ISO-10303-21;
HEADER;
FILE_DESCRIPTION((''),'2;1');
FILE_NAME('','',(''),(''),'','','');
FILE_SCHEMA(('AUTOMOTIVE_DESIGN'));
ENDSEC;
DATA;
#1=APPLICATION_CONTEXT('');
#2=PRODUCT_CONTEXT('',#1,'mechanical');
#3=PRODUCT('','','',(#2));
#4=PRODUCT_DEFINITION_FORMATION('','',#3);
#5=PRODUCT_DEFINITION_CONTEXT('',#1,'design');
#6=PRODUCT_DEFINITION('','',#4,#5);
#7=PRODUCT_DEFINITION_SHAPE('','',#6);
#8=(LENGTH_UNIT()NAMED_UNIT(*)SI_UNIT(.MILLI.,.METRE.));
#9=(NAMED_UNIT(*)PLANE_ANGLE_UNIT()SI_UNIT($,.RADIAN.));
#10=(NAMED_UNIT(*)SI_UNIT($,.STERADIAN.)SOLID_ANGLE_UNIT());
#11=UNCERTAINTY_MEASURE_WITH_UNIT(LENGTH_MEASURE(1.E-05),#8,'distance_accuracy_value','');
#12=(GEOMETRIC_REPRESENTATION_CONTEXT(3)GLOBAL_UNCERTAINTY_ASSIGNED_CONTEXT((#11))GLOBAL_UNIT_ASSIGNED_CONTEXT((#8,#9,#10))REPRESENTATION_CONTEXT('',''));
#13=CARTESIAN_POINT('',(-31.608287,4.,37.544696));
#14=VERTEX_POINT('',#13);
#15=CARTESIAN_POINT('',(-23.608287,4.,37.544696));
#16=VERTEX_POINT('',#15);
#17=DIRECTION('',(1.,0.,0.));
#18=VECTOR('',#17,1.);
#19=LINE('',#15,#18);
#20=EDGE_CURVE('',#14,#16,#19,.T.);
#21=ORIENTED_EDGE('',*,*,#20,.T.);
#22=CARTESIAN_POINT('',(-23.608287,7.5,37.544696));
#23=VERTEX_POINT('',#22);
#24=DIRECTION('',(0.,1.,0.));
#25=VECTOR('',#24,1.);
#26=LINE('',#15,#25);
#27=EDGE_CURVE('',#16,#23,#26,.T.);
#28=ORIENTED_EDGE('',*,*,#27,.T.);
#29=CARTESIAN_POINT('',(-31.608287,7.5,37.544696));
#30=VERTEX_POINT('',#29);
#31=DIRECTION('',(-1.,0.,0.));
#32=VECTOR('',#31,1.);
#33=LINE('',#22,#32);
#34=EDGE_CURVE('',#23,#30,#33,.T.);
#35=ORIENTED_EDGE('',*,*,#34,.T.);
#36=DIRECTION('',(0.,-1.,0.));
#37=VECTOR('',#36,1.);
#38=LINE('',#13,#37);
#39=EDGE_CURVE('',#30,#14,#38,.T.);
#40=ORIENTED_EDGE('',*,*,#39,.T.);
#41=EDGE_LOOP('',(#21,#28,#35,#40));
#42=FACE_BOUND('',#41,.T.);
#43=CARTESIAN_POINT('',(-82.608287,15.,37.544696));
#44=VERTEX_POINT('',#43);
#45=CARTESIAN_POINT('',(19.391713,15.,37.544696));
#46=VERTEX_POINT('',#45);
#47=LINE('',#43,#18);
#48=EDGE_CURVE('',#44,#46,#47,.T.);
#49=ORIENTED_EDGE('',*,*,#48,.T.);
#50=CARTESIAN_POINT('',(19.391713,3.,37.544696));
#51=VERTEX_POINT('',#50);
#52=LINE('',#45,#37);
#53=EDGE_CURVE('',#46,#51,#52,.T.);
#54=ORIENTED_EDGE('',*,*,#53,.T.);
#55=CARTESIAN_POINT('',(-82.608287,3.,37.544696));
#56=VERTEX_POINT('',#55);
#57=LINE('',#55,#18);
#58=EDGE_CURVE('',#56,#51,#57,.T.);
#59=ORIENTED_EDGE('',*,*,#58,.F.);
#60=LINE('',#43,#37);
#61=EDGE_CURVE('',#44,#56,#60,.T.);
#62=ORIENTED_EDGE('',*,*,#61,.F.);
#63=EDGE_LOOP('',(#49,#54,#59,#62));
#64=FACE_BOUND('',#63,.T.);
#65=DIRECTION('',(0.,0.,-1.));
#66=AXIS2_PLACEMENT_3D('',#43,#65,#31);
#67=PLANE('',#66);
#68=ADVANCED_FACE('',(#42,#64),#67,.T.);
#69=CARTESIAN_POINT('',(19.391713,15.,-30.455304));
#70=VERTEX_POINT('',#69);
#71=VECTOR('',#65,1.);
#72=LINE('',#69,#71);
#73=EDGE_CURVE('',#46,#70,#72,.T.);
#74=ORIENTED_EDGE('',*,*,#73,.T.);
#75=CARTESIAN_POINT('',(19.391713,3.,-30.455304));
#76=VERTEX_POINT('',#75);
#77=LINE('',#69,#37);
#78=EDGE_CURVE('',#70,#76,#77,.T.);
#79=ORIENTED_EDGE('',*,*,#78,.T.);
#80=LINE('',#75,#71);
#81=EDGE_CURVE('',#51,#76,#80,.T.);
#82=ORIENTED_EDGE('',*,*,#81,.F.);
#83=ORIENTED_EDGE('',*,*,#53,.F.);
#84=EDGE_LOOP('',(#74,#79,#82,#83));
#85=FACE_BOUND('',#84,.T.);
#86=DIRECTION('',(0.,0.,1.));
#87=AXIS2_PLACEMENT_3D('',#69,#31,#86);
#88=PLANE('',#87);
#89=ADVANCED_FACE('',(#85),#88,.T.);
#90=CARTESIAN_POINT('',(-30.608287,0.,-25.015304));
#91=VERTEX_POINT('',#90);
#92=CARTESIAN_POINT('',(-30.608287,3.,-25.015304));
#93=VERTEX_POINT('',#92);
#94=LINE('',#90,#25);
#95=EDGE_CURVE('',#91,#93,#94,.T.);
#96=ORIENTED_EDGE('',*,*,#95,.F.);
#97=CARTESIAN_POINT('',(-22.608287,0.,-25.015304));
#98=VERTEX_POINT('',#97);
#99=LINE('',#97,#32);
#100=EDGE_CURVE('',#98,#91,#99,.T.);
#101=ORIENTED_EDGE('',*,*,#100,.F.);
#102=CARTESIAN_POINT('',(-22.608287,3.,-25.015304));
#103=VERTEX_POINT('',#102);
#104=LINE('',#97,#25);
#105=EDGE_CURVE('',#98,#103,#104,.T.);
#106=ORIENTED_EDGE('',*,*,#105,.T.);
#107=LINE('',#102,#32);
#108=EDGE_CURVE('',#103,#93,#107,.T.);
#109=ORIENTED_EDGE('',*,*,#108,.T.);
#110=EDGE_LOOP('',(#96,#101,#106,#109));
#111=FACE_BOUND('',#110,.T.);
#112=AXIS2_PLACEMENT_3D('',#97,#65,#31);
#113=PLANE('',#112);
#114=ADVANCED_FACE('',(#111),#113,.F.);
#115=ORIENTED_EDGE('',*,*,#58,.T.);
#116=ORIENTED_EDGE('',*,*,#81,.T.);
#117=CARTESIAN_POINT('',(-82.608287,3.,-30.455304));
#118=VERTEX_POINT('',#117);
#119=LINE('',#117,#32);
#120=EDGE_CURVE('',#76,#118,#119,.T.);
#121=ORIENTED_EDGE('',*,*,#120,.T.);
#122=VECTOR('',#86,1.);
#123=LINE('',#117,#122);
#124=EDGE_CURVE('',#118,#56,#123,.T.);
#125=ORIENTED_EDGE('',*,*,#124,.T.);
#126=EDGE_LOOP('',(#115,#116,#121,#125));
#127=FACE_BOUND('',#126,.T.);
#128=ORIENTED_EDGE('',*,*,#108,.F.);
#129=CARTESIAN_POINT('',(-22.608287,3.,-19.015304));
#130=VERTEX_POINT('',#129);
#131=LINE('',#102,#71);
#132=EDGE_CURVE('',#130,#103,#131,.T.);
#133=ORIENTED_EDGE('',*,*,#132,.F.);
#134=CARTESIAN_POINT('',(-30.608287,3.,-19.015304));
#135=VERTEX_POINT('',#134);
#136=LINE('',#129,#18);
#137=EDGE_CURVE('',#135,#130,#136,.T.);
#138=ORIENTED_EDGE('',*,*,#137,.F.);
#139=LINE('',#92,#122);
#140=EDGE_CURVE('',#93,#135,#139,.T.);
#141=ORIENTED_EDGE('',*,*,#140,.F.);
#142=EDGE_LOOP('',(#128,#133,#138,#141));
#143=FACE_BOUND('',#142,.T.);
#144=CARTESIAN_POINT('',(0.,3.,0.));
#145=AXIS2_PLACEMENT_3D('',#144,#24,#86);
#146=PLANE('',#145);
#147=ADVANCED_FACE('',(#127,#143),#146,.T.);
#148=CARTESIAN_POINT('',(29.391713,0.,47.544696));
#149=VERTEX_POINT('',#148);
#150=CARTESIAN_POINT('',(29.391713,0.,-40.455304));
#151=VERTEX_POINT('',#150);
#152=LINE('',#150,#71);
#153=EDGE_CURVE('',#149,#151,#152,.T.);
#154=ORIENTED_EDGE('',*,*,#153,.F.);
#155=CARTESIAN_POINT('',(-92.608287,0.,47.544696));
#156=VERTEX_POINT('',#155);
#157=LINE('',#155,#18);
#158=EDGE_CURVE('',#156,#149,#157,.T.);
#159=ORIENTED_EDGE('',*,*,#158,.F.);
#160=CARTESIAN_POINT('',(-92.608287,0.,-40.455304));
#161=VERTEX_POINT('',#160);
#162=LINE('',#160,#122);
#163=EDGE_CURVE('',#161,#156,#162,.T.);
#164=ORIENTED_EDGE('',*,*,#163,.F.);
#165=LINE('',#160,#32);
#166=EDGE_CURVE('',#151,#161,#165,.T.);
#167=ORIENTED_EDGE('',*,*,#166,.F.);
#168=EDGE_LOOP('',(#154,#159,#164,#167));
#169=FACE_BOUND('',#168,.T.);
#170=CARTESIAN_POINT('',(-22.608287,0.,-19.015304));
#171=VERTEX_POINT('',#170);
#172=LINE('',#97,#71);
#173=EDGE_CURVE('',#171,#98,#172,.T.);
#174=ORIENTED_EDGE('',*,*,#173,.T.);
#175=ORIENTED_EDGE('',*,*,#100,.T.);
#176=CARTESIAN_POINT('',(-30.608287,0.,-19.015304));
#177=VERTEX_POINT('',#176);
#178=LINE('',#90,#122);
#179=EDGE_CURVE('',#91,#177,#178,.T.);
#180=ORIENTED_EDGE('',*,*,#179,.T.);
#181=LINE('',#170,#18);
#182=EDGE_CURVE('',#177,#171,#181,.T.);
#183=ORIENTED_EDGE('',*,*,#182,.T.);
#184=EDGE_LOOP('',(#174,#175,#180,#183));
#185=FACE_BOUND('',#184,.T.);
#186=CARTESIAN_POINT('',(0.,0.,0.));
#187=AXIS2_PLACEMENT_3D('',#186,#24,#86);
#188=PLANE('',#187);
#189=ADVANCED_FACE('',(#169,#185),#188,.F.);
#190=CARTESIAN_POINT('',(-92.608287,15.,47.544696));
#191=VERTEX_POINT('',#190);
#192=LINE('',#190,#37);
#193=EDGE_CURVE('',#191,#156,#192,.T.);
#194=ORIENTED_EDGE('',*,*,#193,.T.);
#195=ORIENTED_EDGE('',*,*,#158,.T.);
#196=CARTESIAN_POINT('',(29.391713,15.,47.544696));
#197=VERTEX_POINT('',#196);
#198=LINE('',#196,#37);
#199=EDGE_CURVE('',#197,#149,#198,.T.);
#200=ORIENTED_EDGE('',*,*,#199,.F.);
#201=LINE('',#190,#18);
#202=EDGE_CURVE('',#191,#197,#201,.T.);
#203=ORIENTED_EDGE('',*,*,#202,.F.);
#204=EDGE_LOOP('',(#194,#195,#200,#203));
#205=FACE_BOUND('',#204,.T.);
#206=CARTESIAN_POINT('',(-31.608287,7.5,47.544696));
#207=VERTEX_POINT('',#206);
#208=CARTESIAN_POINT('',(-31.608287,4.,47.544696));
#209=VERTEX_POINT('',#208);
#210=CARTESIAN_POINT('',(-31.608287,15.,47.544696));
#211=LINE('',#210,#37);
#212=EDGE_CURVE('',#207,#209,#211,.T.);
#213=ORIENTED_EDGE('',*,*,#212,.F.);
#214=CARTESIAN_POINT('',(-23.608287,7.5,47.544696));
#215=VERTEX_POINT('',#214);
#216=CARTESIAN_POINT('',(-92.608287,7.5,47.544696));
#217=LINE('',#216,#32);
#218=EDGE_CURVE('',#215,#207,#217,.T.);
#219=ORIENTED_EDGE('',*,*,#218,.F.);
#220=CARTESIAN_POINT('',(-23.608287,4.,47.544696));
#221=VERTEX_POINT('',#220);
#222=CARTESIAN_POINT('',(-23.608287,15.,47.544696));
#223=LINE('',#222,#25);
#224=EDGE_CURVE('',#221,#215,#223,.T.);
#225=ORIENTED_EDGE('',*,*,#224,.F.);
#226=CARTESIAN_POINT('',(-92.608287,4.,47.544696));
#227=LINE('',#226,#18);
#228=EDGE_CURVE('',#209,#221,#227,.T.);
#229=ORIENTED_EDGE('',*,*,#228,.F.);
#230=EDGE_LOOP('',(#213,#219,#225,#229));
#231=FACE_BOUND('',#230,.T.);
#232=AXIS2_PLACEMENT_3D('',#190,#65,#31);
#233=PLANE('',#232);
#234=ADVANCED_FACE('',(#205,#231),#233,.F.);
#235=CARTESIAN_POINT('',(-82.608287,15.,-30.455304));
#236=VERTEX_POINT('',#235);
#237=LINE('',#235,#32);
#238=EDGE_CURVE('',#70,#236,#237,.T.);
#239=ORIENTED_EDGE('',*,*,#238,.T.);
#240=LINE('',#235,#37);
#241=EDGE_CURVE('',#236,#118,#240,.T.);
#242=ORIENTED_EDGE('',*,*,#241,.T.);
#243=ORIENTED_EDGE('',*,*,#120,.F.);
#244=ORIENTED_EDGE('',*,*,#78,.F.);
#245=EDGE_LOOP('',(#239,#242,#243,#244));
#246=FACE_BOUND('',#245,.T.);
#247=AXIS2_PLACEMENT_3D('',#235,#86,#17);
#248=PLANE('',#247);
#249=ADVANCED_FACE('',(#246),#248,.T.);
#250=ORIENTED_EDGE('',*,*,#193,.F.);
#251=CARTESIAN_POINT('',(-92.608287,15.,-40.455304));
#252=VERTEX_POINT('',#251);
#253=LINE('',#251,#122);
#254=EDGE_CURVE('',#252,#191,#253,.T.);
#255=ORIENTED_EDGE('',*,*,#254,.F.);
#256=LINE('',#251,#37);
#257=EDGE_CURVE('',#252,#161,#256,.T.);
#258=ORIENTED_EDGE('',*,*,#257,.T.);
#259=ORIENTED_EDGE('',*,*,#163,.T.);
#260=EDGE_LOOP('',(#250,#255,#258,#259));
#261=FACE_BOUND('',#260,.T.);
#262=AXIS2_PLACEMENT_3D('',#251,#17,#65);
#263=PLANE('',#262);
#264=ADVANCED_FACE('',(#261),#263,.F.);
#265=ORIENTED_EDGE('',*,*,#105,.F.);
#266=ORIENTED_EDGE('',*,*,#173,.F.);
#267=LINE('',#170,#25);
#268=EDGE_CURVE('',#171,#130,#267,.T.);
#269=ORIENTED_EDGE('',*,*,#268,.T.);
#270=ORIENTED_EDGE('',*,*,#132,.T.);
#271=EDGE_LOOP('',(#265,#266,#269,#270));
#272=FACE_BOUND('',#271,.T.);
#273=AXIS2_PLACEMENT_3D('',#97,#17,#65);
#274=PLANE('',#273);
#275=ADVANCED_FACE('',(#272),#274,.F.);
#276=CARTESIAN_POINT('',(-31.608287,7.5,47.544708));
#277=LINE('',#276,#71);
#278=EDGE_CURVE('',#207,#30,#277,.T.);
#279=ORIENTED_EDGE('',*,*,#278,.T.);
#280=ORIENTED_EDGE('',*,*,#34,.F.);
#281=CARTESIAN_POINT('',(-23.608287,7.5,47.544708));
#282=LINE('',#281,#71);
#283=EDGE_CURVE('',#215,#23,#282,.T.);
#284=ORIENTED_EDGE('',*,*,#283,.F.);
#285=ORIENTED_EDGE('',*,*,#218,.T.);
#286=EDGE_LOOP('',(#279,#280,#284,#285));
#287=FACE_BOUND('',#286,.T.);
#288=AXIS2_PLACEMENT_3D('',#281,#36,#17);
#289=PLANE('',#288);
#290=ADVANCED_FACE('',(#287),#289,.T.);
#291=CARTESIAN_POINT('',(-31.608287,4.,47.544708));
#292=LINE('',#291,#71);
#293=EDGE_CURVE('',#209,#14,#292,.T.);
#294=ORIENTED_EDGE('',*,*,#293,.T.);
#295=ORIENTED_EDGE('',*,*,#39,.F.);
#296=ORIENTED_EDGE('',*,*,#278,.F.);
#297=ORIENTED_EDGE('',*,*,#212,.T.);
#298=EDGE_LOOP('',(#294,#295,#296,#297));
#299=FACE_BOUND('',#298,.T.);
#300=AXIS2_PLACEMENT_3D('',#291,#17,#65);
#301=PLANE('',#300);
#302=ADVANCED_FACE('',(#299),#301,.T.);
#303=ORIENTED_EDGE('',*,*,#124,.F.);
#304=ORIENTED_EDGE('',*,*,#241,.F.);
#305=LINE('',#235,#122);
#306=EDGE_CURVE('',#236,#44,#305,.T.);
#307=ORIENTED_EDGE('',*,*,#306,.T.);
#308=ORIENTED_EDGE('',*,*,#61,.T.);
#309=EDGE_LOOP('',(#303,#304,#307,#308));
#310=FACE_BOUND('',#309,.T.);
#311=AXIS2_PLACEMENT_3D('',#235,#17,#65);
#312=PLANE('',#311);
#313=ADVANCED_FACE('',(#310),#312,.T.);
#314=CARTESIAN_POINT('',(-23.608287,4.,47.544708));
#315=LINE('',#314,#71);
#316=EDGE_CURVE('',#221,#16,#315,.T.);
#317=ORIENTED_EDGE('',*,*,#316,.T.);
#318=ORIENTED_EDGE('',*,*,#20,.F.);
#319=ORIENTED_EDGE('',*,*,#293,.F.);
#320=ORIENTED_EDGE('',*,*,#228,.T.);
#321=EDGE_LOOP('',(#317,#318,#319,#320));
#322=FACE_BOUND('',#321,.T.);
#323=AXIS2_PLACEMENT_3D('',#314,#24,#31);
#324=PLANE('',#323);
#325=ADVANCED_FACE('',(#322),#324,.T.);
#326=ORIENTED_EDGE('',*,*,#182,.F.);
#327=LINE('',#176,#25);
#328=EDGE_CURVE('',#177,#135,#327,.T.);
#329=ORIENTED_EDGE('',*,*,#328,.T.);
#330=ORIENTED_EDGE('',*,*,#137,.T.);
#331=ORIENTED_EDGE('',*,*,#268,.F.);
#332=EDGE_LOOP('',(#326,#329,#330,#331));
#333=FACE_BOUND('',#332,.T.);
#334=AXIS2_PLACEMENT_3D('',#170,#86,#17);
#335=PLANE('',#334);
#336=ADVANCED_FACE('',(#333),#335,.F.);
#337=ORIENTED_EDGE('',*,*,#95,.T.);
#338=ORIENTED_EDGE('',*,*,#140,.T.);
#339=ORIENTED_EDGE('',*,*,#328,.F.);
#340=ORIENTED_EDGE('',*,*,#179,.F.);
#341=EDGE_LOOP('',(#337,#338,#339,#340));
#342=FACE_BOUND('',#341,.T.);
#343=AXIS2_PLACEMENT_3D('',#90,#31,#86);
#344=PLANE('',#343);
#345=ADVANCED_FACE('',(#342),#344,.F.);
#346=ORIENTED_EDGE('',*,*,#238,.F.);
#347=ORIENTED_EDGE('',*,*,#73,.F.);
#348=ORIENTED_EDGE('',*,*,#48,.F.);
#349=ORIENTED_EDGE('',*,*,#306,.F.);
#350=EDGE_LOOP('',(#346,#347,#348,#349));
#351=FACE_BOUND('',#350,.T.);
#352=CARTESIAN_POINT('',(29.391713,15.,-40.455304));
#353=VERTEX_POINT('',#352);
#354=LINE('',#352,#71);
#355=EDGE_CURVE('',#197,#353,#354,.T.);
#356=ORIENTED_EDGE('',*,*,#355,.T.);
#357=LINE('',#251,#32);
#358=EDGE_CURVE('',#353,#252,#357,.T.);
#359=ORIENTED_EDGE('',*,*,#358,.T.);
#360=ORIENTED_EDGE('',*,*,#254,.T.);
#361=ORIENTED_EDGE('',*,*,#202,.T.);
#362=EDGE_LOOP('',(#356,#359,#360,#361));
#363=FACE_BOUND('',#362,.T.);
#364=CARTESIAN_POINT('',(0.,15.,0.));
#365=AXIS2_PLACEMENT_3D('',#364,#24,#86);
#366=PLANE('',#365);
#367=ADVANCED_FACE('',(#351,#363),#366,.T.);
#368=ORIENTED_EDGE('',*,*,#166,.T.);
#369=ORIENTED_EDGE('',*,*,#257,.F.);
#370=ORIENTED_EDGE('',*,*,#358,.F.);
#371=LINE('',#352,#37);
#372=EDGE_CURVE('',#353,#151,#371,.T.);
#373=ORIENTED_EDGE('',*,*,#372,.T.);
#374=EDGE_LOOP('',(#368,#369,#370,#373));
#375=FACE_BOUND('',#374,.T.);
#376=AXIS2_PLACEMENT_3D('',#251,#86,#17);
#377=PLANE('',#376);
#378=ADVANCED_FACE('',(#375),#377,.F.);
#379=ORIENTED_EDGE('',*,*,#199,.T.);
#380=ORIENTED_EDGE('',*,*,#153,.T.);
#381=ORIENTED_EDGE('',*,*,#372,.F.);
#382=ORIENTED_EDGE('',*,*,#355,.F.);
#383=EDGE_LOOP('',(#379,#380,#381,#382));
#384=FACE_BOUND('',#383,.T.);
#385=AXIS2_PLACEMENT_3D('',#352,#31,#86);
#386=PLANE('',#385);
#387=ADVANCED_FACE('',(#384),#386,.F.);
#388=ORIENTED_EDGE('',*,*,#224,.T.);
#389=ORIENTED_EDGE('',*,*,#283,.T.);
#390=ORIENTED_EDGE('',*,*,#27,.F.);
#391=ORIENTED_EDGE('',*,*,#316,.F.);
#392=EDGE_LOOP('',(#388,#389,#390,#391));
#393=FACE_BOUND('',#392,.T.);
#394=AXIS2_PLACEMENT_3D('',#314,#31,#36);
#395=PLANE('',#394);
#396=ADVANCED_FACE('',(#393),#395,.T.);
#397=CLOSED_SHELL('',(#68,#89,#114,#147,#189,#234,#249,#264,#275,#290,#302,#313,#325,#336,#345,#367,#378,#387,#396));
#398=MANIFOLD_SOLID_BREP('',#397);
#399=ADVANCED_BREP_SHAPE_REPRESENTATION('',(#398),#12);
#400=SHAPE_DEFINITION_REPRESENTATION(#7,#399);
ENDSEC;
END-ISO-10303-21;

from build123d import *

# Parameters (mm, degrees)
SKETCH2_W                      = 122
SKETCH2_H                      = 88
SKETCH2_W_2                    = 102
SKETCH2_H_2                    = 68
BOSS_EXTRUDE4_DEPTH            = 15
SKETCH3_W                      = 102
SKETCH3_H                      = 68
BOSS_EXTRUDE5_DEPTH            = 3
CUT_EXTRUDE1_REACH             = 90
SKETCH4_W                      = 8
SKETCH4_H                      = 3.5
CUT_EXTRUDE1_DIRECTION_2_DEPTH = 1
SKETCH5_W                      = 8
SKETCH5_H                      = 6
CUT_EXTRUDE2_DEPTH             = 4


with BuildPart() as part:
    # Sketch2 → Boss-Extrude4 (new body)
    with BuildSketch(Plane(origin=(0, 0, 0), x_dir=(1, 0, 0), z_dir=(0, 1, 0))):
        with Locations((-31.608287026, -3.544696319)):
            Rectangle(SKETCH2_W, SKETCH2_H)
        with Locations((-31.608287026, -3.544696319)):
            Rectangle(SKETCH2_W_2, SKETCH2_H_2, mode=Mode.SUBTRACT)
    extrude(amount=BOSS_EXTRUDE4_DEPTH)

    # Sketch3 → Boss-Extrude5 (add)
    with BuildSketch(Plane(origin=(0, 0, 0), x_dir=(1, 0, 0), z_dir=(0, 1, 0))):
        with Locations((-31.608287026, -3.544696319)):
            Rectangle(SKETCH3_W, SKETCH3_H)
    extrude(amount=BOSS_EXTRUDE5_DEPTH)

    # Sketch4 → Cut-Extrude1 (cut, up to next)
    with BuildSketch(Plane.XY.offset(47.544696319), mode=Mode.PRIVATE) as cut_extrude1_sk1:
        with Locations((-27.608287026, 5.75)):
            Rectangle(SKETCH4_W, SKETCH4_H)
    cut_extrude1_tool1 = extrude(cut_extrude1_sk1.sketch, amount=-CUT_EXTRUDE1_REACH, mode=Mode.PRIVATE) & part.part
    add(cut_extrude1_tool1.solids().sort_by_distance((-27.608287, 5.75, 47.544696))[0], mode=Mode.SUBTRACT)

    # Sketch4 → Cut-Extrude1 direction 2 (cut)
    with BuildSketch(Plane.XY.offset(47.544696319)):
        with Locations((-27.608287026, 5.75)):
            Rectangle(SKETCH4_W, SKETCH4_H)
    extrude(amount=CUT_EXTRUDE1_DIRECTION_2_DEPTH, mode=Mode.SUBTRACT)

    # Sketch5 → Cut-Extrude2 (cut, through all)
    with BuildSketch(Plane(origin=(0, 3, 0), x_dir=(1, 0, 0), z_dir=(0, 1, 0))):
        with Locations((-26.608287026, 22.015303681)):
            Rectangle(SKETCH5_W, SKETCH5_H)
    extrude(amount=-CUT_EXTRUDE2_DEPTH, mode=Mode.SUBTRACT)


solid = part.part
